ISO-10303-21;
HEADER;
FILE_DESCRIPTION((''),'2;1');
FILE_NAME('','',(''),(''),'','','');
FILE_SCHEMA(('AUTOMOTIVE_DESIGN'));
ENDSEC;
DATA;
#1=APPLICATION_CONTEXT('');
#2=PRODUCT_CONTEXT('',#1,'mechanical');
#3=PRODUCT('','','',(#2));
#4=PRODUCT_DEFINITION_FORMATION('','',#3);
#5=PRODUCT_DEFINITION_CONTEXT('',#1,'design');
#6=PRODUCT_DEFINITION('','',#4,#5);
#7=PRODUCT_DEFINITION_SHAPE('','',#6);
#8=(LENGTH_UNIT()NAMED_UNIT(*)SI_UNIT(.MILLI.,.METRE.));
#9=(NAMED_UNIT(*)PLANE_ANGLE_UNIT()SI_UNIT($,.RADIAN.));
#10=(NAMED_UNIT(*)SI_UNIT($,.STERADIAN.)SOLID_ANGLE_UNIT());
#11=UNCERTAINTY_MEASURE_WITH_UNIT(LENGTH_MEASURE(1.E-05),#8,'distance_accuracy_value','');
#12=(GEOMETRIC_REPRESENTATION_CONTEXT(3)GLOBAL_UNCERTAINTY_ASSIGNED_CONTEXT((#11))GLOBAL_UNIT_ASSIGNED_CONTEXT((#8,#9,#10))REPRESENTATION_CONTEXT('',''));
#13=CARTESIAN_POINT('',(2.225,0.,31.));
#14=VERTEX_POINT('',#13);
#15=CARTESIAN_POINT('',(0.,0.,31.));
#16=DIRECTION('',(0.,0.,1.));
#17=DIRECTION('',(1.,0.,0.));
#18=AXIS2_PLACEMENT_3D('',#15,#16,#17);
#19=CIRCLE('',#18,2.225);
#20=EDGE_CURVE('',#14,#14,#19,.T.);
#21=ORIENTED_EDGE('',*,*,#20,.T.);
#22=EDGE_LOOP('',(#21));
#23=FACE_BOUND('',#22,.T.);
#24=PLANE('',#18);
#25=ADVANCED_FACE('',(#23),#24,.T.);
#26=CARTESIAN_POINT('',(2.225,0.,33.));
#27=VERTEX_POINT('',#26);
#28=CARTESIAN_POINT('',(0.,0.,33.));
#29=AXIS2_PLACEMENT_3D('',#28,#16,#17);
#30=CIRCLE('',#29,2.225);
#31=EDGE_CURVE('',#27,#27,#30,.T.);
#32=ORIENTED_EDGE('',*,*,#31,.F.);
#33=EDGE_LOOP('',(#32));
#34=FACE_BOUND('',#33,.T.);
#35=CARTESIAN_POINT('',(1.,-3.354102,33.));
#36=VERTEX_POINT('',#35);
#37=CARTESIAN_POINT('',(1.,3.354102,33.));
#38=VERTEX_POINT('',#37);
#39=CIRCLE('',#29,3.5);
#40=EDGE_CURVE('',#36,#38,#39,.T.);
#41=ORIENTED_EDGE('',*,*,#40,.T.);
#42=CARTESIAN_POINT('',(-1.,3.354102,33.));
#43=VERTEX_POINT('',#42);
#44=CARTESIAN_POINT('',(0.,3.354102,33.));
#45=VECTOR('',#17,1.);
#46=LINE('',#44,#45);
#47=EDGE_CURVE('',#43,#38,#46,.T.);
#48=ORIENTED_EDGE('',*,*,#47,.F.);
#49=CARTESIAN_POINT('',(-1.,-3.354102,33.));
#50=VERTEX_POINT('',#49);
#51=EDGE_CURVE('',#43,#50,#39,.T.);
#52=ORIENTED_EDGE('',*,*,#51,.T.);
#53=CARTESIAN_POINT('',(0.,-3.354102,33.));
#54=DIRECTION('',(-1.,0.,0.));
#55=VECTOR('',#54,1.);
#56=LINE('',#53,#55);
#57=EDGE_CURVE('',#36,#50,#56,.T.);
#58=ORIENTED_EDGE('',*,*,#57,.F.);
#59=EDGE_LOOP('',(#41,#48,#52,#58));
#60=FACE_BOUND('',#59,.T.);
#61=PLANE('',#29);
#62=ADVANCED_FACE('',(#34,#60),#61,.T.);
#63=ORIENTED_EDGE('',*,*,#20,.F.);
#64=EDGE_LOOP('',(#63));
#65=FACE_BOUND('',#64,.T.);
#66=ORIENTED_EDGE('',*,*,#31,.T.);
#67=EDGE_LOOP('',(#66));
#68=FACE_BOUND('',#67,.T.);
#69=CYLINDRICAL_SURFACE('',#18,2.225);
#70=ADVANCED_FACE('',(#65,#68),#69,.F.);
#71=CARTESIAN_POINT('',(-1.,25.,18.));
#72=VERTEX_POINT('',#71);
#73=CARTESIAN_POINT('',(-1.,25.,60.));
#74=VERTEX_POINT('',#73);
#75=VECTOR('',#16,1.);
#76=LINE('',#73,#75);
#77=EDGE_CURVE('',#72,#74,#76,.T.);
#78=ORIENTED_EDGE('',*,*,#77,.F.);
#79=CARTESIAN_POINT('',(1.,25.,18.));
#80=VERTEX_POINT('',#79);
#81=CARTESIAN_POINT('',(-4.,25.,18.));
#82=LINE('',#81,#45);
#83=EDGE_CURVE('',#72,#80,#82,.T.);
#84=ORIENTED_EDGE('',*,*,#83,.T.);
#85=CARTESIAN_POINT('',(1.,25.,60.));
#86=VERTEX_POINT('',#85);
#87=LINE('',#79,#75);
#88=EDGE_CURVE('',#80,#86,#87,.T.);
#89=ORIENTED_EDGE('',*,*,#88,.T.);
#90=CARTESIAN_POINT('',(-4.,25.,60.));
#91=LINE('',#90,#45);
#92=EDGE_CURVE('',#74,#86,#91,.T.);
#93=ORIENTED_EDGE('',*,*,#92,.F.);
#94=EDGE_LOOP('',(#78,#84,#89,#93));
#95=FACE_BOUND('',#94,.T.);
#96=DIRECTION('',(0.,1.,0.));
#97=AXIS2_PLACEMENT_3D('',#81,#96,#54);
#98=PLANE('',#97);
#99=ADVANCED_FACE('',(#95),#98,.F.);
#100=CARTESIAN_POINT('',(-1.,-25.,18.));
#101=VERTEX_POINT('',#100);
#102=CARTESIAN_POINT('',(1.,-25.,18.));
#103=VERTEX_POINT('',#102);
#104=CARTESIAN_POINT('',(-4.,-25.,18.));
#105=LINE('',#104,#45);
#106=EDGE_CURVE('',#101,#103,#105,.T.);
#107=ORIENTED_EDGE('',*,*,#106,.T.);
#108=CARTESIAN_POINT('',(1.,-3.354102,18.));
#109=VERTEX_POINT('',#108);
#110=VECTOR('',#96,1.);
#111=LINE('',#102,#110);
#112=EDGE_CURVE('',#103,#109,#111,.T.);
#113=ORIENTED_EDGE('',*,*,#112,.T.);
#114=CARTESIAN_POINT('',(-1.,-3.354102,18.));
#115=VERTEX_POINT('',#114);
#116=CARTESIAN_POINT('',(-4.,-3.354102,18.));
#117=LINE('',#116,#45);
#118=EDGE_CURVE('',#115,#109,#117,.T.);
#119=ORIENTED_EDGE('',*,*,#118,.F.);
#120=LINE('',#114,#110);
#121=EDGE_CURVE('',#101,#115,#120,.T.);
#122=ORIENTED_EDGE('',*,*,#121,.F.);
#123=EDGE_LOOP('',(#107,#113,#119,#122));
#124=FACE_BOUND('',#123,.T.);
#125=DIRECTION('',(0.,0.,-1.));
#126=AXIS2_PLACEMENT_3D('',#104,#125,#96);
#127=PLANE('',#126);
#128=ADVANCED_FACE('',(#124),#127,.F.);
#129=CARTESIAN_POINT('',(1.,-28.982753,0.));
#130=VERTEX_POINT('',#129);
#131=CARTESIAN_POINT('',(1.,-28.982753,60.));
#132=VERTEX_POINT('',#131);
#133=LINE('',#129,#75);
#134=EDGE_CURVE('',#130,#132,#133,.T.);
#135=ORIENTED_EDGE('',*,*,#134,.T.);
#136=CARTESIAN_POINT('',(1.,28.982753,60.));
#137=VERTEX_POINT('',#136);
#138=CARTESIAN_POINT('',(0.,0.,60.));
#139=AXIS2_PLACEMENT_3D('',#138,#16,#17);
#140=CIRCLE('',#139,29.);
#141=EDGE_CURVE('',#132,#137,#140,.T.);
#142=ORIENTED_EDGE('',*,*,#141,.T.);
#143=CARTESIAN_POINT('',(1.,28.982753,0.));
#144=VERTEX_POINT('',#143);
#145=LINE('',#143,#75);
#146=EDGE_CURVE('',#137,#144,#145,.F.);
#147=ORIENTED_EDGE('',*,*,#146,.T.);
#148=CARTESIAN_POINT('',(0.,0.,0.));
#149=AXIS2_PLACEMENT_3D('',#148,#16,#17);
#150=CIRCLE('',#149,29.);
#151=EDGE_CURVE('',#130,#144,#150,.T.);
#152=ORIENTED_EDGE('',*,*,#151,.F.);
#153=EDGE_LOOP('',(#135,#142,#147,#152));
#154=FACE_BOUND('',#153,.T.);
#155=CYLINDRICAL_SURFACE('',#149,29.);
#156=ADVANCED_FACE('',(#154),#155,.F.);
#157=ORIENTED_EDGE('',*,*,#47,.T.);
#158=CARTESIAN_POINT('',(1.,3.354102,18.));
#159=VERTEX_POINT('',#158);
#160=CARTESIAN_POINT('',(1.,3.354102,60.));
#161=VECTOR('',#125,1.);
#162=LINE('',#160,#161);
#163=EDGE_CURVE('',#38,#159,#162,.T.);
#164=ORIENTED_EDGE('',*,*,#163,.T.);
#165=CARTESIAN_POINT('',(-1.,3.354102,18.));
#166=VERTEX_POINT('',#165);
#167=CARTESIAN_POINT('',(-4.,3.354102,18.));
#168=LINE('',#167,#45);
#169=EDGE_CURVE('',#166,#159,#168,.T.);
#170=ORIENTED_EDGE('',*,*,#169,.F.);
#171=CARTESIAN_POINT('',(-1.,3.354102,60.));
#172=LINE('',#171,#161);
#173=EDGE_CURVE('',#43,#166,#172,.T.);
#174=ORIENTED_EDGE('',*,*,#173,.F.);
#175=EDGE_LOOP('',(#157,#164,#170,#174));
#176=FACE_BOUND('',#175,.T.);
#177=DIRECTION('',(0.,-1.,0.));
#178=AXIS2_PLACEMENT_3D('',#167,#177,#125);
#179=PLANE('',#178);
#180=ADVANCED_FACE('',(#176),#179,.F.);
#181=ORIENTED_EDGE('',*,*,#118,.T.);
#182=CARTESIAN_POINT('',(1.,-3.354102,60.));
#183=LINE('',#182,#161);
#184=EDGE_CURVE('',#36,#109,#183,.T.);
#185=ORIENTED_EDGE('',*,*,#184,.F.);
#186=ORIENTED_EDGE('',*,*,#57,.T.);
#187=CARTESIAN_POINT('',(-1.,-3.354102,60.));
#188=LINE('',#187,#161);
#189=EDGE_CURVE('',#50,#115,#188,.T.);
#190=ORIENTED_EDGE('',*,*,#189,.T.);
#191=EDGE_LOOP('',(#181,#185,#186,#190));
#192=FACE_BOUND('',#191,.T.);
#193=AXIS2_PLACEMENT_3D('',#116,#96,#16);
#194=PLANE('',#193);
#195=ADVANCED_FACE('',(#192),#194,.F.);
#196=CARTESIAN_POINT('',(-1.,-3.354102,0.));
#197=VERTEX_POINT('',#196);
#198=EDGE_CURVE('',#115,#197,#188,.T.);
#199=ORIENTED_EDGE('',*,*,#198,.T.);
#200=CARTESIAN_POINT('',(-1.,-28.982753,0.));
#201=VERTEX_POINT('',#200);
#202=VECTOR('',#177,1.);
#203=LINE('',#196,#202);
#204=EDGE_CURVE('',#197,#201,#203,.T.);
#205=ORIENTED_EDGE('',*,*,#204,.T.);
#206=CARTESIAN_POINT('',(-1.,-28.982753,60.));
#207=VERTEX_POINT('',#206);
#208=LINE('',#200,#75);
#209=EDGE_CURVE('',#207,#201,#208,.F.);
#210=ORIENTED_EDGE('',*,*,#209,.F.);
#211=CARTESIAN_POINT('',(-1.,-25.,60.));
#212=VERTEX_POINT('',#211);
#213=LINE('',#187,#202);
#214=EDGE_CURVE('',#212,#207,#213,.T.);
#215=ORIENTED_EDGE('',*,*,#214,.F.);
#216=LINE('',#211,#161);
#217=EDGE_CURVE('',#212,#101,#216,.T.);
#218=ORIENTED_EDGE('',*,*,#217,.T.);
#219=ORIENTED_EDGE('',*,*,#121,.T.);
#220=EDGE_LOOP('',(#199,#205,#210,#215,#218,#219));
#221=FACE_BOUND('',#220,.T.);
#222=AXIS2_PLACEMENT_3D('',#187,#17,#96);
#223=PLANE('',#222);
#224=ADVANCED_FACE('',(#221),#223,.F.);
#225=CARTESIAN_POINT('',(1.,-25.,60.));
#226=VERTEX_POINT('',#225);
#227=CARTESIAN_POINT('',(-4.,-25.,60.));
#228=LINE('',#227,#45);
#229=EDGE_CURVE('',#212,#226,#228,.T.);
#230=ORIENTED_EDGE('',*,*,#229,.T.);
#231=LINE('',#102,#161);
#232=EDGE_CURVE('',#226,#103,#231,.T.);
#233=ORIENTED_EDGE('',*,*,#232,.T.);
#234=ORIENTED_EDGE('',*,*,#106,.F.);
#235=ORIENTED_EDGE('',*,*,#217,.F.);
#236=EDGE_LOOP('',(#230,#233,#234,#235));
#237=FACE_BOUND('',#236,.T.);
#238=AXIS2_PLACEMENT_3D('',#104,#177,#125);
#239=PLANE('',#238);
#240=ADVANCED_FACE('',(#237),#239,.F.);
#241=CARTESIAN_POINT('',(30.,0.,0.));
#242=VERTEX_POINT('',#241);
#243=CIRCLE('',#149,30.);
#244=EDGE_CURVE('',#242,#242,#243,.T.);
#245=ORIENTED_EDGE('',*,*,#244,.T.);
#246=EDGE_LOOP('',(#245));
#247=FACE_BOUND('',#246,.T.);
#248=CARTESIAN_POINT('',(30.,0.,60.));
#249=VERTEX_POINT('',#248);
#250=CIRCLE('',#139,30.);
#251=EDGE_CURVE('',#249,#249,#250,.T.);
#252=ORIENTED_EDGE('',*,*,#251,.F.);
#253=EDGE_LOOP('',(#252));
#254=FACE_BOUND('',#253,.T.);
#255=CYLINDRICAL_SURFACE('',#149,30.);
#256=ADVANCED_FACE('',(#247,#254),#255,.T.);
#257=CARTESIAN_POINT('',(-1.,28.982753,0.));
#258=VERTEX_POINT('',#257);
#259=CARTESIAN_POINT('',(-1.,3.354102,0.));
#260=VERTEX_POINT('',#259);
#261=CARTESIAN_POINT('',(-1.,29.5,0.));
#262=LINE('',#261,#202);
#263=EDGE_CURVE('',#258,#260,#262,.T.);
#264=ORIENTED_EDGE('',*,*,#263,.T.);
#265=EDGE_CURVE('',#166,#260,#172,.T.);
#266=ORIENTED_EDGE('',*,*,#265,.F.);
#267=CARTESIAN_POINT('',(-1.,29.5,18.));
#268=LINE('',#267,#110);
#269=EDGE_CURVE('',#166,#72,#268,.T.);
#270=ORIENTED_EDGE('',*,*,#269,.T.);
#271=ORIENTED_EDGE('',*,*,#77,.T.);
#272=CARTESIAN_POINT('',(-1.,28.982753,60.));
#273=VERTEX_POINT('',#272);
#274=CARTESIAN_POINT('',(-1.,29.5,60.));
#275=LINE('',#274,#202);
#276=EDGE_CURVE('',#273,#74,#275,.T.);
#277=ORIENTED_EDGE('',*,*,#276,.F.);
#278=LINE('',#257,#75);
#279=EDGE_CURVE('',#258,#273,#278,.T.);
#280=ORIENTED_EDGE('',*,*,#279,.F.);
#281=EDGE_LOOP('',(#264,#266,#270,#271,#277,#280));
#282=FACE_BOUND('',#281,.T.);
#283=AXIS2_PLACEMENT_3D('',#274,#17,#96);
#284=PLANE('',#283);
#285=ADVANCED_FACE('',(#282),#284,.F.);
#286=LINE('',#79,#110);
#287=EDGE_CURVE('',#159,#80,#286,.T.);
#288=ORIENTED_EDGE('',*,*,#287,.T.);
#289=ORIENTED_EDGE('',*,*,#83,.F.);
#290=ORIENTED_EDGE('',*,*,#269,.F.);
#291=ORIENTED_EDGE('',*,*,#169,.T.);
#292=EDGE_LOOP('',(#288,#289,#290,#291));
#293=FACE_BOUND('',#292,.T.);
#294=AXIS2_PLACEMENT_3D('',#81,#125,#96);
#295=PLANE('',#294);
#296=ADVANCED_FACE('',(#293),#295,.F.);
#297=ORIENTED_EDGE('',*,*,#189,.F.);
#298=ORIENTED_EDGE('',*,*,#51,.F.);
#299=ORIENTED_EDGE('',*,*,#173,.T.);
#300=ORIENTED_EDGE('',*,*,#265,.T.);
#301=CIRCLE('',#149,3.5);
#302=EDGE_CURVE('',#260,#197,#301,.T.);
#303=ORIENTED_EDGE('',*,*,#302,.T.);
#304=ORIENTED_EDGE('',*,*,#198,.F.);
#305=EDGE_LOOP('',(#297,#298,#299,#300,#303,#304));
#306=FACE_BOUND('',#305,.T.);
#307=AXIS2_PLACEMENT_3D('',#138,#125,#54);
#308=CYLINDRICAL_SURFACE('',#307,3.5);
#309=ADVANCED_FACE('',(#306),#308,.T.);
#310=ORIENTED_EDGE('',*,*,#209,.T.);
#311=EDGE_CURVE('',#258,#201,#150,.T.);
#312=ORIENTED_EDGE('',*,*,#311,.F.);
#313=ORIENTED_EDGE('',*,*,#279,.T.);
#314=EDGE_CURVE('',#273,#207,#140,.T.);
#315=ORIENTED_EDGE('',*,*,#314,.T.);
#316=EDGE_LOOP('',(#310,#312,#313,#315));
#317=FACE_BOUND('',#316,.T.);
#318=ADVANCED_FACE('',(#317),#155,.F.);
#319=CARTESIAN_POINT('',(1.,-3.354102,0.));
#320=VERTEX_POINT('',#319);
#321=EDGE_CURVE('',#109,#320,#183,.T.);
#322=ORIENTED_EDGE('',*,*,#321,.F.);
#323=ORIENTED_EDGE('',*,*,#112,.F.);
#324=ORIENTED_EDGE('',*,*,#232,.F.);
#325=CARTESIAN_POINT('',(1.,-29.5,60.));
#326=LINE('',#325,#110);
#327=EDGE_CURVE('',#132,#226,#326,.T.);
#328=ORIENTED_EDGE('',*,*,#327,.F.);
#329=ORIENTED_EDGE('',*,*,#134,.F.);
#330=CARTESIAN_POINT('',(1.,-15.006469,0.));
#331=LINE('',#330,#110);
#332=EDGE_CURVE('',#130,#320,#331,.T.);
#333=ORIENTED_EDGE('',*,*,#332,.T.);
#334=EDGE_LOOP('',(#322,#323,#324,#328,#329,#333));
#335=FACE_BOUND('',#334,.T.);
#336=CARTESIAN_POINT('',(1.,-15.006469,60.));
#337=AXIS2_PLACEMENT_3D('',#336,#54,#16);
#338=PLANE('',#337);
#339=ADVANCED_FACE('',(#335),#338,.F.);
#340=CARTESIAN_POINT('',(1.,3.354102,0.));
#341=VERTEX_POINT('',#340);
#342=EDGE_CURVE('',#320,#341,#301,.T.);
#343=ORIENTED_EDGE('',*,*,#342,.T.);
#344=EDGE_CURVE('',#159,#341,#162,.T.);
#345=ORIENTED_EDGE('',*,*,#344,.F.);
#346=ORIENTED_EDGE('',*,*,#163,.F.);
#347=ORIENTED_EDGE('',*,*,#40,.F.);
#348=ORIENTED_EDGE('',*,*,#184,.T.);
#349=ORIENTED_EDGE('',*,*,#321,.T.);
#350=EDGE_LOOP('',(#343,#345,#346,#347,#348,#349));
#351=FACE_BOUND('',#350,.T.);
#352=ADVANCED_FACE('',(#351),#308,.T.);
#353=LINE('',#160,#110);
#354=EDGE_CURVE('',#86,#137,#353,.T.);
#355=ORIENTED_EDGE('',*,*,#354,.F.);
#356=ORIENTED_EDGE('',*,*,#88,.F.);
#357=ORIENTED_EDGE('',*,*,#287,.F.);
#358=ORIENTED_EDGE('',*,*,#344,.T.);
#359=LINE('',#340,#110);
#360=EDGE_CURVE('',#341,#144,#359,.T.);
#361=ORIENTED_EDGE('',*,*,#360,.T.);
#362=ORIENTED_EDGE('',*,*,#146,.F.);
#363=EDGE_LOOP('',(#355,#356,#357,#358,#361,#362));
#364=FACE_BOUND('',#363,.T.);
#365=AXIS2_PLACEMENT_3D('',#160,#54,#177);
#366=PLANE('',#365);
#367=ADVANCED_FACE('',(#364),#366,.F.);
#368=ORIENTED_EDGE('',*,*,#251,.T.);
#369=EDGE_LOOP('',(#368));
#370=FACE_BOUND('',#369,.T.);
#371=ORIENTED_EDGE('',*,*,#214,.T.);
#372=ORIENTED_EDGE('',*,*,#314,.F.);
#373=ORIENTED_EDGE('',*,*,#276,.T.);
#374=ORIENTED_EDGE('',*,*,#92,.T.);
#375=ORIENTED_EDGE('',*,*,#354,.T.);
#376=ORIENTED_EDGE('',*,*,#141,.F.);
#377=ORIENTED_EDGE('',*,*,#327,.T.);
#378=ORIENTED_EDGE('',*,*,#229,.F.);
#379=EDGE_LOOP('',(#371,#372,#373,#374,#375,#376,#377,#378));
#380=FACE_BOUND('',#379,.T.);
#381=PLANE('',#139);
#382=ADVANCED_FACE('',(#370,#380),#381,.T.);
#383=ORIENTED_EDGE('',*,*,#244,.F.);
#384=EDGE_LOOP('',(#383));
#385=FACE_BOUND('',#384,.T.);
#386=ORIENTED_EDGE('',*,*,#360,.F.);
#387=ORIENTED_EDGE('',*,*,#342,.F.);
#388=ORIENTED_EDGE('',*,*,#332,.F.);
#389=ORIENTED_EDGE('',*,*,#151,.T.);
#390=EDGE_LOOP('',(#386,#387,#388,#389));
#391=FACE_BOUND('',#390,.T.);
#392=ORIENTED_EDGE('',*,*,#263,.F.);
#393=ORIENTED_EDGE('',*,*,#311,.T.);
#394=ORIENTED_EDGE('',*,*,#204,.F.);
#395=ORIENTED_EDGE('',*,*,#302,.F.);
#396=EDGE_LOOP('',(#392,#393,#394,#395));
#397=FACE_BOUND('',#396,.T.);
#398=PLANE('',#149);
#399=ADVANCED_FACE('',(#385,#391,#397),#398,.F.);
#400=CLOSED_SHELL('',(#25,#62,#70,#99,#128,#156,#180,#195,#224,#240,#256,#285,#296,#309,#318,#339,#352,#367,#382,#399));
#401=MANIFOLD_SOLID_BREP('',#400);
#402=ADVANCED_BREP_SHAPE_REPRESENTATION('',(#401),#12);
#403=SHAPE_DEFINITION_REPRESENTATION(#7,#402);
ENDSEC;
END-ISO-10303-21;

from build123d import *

# Parameters (mm, degrees)
BOSS_EXTRU_1_DEPTH      = 60
ESQUISSE2_R             = 30
ESQUISSE2_R_2           = 29
BOSS_EXTRU_2_DEPTH      = 60
ESQUISSE3_R             = 25
ENL_V_MAT_EXTRU_1_DEPTH = 27
ESQUISSE6_R             = 2.225
ENL_V_MAT_EXTRU_3_DEPTH = 2
ESQUISSE10_W            = 42
ESQUISSE10_H            = 21.645898034
ENL_V_MAT_EXTRU_7_DEPTH = 5


with BuildPart() as part:
    # Esquisse1 → Boss.-Extru.1 (new body)
    with BuildSketch(Plane.XY):
        with BuildLine():
            Line((1, -15.006468588), (1, -3.354101966))
            ThreePointArc((1, -3.354101966), (3.5, 0), (1, 3.354101966))
            Line((1, 3.354101966), (1, 29.5))
            Line((1, 29.5), (-1, 29.5))
            Line((-1, 29.5), (-1, 3.354101966))
            ThreePointArc((-1, 3.354101966), (-3.5, 0), (-1, -3.354101966))
            Line((-1, -3.354101966), (-1, -29.5))
            Line((-1, -29.5), (1, -29.5))
            Line((1, -29.5), (1, -15.006468588))
        make_face()
    extrude(amount=BOSS_EXTRU_1_DEPTH)

    # Esquisse2 → Boss.-Extru.2 (add)
    with BuildSketch(Plane.XY.offset(60)):
        Circle(ESQUISSE2_R)
        Circle(ESQUISSE2_R_2, mode=Mode.SUBTRACT)
    extrude(amount=-BOSS_EXTRU_2_DEPTH)

    # Esquisse3 → Enlèv. mat.-Extru.1 (cut)
    with BuildSketch(Plane.XY.offset(60)):
        Circle(ESQUISSE3_R)
    extrude(amount=-ENL_V_MAT_EXTRU_1_DEPTH, mode=Mode.SUBTRACT)

    # Esquisse6 → Enlèv. mat.-Extru.3 (cut)
    with BuildSketch(Plane.XY.offset(33)):
        Circle(ESQUISSE6_R)
    extrude(amount=-ENL_V_MAT_EXTRU_3_DEPTH, mode=Mode.SUBTRACT)

    # Esquisse10 → Enlèv. mat.-Extru.7 (cut)
    with BuildSketch(Plane(origin=(1, 0, 0), x_dir=(0, 0, -1), z_dir=(1, 0, 0))):
        with Locations((-39, -14.177050983)):
            Rectangle(ESQUISSE10_W, ESQUISSE10_H)
        with Locations((-39, 14.177050983)):
            Rectangle(ESQUISSE10_W, ESQUISSE10_H)
    extrude(amount=-ENL_V_MAT_EXTRU_7_DEPTH, mode=Mode.SUBTRACT)


solid = part.part
